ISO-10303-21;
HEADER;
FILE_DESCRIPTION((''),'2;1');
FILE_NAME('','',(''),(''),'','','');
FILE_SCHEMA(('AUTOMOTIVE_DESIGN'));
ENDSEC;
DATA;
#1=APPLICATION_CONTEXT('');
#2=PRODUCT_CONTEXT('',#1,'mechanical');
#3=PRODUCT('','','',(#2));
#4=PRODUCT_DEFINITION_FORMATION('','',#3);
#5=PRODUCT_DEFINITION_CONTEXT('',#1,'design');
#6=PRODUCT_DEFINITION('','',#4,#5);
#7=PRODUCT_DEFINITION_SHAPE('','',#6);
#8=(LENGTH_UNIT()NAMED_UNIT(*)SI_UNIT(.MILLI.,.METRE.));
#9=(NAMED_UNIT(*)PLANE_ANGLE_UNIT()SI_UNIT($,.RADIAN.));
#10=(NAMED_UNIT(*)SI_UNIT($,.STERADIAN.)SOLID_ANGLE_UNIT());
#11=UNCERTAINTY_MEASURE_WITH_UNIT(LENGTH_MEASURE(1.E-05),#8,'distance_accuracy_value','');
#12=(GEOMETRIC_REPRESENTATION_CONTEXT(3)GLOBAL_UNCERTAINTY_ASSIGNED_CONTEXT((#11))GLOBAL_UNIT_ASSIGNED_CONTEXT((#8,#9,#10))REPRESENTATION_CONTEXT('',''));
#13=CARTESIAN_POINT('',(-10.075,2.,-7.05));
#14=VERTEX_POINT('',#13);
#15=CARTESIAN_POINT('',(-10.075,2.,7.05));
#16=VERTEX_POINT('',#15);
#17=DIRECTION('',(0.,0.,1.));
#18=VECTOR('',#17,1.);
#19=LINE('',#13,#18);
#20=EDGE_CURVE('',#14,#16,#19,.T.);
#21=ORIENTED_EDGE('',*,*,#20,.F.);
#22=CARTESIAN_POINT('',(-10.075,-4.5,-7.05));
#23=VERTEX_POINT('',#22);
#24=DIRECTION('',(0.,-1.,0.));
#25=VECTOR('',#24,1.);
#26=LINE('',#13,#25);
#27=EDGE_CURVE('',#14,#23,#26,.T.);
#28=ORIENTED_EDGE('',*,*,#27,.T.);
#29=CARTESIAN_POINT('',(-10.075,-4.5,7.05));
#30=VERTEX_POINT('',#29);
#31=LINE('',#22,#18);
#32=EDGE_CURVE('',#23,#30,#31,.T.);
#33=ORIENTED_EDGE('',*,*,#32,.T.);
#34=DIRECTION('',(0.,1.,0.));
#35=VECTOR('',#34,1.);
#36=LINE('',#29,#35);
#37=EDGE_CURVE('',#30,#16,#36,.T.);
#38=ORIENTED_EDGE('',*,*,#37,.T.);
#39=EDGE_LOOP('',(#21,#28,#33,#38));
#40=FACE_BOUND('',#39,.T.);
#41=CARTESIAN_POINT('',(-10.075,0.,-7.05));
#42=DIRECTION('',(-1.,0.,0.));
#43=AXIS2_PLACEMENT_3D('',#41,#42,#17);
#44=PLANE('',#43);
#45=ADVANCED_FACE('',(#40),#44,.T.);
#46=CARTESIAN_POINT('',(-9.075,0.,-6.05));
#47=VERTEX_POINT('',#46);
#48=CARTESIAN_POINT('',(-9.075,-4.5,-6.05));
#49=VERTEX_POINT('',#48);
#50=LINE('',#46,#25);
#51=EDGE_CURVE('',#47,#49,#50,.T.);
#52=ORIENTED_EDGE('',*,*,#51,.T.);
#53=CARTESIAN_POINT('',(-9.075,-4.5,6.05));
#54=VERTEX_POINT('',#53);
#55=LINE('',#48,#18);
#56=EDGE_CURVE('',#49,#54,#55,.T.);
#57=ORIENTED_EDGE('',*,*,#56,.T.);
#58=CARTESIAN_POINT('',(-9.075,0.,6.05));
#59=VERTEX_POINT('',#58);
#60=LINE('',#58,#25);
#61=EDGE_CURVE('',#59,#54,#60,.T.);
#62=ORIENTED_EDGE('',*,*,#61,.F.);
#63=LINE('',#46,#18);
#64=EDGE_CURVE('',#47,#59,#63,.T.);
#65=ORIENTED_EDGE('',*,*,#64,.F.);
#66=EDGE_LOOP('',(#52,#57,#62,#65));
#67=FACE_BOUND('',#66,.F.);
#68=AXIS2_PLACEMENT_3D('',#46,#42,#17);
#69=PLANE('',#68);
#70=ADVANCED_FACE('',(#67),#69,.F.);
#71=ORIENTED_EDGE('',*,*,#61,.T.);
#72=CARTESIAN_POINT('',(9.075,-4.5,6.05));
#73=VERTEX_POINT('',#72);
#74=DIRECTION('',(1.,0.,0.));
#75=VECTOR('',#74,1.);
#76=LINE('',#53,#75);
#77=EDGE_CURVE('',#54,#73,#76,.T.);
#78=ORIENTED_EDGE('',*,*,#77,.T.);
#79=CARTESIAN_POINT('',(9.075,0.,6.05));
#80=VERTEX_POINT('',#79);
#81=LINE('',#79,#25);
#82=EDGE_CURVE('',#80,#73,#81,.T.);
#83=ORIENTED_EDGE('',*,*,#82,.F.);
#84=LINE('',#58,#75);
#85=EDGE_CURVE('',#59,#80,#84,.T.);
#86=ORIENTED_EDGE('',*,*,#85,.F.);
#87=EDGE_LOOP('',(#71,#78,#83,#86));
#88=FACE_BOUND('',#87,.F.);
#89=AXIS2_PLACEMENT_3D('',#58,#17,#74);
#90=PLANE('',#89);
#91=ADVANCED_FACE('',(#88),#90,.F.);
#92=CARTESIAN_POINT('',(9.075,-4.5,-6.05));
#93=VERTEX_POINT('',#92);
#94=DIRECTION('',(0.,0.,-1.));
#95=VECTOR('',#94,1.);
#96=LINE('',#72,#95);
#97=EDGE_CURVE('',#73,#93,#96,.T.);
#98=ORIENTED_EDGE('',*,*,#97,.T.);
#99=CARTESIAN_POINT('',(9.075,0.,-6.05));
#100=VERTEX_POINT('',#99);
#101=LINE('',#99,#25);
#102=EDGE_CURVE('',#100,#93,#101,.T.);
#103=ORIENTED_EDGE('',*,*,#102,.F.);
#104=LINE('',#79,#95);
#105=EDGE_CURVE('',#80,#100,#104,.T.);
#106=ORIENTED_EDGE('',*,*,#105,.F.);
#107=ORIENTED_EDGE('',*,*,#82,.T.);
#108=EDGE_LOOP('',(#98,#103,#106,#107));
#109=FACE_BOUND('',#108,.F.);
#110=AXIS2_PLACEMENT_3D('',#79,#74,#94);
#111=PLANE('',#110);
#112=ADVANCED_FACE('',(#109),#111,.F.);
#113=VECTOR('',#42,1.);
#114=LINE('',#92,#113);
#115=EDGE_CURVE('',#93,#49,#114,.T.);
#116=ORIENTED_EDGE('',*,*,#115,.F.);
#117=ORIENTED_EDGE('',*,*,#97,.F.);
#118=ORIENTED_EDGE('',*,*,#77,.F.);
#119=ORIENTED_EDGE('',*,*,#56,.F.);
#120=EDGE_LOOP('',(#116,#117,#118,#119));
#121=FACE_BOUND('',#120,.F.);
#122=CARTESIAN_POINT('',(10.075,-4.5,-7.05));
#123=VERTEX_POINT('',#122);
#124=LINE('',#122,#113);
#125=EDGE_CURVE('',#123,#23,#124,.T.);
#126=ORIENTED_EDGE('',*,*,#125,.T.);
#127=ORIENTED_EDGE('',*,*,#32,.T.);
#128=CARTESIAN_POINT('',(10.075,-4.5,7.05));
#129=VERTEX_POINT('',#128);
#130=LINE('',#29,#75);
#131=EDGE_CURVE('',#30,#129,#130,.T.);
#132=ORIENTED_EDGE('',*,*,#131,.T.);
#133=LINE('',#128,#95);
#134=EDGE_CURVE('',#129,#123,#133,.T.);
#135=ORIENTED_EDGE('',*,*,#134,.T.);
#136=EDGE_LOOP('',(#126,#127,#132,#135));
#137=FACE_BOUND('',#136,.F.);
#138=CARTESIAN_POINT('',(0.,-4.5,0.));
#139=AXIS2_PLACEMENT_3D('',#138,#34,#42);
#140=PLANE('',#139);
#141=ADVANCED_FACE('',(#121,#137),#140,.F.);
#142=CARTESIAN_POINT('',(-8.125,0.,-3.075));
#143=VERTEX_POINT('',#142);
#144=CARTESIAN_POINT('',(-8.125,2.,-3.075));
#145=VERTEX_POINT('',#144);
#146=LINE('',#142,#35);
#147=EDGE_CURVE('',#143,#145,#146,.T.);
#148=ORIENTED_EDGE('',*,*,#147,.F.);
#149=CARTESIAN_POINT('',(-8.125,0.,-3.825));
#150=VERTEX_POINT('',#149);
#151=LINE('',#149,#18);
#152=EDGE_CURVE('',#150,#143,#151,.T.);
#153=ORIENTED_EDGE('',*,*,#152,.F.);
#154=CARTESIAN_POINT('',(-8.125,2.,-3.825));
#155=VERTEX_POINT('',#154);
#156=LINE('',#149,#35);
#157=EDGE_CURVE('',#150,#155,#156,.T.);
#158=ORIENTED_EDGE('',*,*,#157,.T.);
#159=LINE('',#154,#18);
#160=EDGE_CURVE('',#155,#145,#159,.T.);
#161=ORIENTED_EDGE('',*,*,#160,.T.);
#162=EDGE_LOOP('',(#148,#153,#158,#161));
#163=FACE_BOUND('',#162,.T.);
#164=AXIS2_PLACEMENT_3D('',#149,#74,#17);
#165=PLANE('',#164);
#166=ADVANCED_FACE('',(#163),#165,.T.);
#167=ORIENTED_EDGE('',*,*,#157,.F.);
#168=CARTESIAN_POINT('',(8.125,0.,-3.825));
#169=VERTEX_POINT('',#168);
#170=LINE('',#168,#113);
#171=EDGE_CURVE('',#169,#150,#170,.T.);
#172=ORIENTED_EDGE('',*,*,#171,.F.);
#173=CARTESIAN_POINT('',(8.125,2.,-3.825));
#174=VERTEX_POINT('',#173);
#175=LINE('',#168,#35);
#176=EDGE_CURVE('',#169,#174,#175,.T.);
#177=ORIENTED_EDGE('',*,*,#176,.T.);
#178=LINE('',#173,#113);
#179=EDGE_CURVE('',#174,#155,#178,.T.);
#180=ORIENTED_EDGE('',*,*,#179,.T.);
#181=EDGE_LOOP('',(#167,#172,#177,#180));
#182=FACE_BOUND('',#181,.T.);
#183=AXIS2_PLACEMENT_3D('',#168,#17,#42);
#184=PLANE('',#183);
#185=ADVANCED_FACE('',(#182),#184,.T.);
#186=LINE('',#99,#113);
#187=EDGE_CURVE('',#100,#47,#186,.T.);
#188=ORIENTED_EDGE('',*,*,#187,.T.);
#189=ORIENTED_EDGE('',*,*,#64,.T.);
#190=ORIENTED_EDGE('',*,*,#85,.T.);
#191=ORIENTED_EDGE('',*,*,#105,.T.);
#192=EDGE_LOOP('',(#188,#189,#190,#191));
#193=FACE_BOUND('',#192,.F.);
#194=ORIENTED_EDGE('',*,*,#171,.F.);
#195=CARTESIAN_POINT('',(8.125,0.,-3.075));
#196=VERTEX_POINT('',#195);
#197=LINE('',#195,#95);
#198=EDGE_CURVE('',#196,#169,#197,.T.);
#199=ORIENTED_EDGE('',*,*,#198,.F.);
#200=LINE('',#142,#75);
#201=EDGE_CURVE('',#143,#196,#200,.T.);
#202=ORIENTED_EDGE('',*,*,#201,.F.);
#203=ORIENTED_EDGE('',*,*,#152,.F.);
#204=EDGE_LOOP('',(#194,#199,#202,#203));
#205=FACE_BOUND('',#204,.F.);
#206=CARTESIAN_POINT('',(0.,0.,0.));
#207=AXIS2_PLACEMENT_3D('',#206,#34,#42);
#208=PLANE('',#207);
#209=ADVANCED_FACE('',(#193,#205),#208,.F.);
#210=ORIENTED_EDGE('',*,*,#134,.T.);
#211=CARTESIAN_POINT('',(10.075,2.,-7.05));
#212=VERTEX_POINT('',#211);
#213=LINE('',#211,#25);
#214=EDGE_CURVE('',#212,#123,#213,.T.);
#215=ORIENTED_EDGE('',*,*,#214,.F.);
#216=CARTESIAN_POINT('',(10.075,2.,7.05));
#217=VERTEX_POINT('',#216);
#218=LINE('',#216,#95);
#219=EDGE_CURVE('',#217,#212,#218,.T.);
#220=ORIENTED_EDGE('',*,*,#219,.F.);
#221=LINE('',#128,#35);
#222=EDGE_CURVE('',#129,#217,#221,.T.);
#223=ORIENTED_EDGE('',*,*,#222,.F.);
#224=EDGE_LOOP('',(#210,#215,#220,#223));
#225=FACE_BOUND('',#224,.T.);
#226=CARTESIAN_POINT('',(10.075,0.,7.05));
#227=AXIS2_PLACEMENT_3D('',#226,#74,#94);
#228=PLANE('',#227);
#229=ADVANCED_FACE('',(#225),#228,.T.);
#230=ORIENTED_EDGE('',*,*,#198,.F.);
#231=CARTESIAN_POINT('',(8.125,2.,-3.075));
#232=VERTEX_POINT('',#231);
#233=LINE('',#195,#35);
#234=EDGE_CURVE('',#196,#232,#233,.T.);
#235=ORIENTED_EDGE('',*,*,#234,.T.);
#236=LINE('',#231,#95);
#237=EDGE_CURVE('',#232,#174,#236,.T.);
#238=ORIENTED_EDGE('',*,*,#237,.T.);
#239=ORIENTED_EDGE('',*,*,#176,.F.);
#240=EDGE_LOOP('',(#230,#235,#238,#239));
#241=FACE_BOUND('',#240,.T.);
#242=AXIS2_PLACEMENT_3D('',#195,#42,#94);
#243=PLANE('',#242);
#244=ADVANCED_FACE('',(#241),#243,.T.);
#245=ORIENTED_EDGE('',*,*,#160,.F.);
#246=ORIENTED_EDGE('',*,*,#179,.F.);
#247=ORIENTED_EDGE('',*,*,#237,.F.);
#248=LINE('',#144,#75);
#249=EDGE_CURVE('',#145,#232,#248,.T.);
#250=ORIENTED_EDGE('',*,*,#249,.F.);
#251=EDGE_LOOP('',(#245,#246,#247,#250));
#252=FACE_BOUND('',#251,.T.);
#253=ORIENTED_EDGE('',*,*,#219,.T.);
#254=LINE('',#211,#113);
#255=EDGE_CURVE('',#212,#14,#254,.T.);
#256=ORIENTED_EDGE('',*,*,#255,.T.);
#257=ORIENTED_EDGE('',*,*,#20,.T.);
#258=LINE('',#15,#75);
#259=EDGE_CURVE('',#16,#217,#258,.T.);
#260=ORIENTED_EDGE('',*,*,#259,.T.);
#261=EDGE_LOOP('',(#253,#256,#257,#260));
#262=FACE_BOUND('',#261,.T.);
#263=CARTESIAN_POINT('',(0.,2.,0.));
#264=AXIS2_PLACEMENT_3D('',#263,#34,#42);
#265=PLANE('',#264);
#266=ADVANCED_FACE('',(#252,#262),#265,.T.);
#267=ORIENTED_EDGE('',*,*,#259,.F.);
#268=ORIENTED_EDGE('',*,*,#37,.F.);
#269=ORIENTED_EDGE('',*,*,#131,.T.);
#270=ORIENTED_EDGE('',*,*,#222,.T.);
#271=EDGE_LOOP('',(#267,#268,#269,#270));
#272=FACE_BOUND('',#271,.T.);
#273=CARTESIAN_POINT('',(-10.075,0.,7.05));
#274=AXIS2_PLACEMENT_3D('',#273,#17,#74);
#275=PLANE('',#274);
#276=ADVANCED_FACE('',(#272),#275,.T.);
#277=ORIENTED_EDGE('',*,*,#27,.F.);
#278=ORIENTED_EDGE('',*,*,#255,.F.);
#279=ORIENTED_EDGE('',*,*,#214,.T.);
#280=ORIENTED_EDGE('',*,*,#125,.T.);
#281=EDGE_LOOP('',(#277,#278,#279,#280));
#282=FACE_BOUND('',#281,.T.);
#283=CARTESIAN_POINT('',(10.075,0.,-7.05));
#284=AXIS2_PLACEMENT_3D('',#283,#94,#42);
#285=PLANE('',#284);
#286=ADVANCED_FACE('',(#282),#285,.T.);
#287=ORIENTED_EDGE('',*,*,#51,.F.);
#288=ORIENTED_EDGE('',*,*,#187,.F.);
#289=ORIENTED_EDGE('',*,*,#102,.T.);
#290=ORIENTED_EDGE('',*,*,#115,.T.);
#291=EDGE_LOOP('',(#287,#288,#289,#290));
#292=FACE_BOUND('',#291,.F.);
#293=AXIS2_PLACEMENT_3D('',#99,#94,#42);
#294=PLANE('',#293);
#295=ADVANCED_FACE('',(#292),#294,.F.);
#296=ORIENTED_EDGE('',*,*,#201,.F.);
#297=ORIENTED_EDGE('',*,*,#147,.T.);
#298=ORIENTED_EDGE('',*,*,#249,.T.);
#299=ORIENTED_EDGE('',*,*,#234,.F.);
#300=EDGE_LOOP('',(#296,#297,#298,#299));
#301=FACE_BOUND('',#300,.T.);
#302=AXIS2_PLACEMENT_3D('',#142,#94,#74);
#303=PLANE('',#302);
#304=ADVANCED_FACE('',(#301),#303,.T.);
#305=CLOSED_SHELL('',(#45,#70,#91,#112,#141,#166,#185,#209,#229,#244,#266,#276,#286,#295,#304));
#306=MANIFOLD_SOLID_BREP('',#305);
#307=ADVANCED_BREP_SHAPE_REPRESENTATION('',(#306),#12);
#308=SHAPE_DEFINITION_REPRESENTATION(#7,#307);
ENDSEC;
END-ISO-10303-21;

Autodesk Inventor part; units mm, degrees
ref_plane "YZ Plane" through (0, 0, 0) normal (1, 0, 0) x (0, 1, 0)
ref_plane "XZ Plane" through (0, 0, 0) normal (0, 1, 0) x (-1, 0, 0)
ref_plane "XY Plane" through (0, 0, 0) normal (0, 0, 1) x (1, 0, 0)
sketch "Sketch1" plane through (0, 0, 0) normal (0, 1, 0) x (-1, 0, 0)
  line L0 (10.075, 7.05) -> (-10.075, 7.05)
  line L1 (-10.075, 7.05) -> (-10.075, -7.05)
  line L2 (-10.075, -7.05) -> (10.075, -7.05)
  line L3 (10.075, -7.05) -> (10.075, 7.05)
  line L4 (10.075, 7.05) -> (-10.075, -7.05) construction
  line L5 (-10.075, 7.05) -> (10.075, -7.05) construction
  line L6 (9.075, 6.05) -> (-9.075, 6.05)
  line L7 (-9.075, 6.05) -> (-9.075, -6.05)
  line L8 (-9.075, -6.05) -> (9.075, -6.05)
  line L9 (9.075, -6.05) -> (9.075, 6.05)
  line L10 (9.075, 6.05) -> (-9.075, -6.05) construction
  line L11 (-9.075, 6.05) -> (9.075, -6.05) construction
  line L12 (8.125, -3.075) -> (-8.125, -3.075)
  line L13 (-8.125, -3.075) -> (-8.125, -3.825)
  line L14 (-8.125, -3.825) -> (8.125, -3.825)
  line L15 (8.125, -3.825) -> (8.125, -3.075)
  line L16 (8.125, -3.075) -> (-8.125, -3.825) construction
  line L17 (-8.125, -3.075) -> (8.125, -3.825) construction
  point P0 (0, 0)
  point P1 (0, -3.45)
  point P2 (0, -3.45)
  point P3 (0, 0)
  dimension "d0" = 18.15
  dimension "d1" = 1
  dimension "d2" = 1
  dimension "d3" = 12.1
  dimension "d4" = 16.25
  dimension "d5" = 0.75
  dimension "d6" = 9.5
sketch "Sketch2" plane through (0, 0, 0) normal (1, 0, 0) x (0, 1, 0)
  line L0 (-2.4, 6.05) -> (-4.5, 6.05)
  line L1 (-4.5, 6.05) -> (-2.4, 4.05)
  line L2 (-2.4, 4.05) -> (-2.4, 6.05)
  line L3 (-2.4, -6.05) -> (-2.4, -4.05)
  line L4 (-2.4, -4.05) -> (-4.5, -6.05)
  line L5 (-4.5, -6.05) -> (-2.4, -6.05)
  point P0 (0, 0)
  point P1 (0, 6.05)
  point P2 (0, 6.05)
  point P3 (0, 6.05)
  point P4 (0, -6.05)
  point P5 (0, -6.05)
  point P6 (0, -6.05)
  dimension "d11" = 2
  dimension "d12" = 2
  dimension "d13" = 4.5
  dimension "d14" = 4.5
  dimension "d15" = 2.4
extrude "Extrusion1" add sketch "Sketch1" along normal blind 2 contours L3 L2 L1 L0 | L9 L8 L7 L6
extrude "Extrusion2" add sketch "Sketch1" against normal blind 4.5 contours L3 L2 L1 L0
equation "\"d13\" = d9"
equation "\"d14\" = d9"
equation "\"d9\" = 4.5"
properties part number "sunroof_motor_cover_clip_retention_patch"
